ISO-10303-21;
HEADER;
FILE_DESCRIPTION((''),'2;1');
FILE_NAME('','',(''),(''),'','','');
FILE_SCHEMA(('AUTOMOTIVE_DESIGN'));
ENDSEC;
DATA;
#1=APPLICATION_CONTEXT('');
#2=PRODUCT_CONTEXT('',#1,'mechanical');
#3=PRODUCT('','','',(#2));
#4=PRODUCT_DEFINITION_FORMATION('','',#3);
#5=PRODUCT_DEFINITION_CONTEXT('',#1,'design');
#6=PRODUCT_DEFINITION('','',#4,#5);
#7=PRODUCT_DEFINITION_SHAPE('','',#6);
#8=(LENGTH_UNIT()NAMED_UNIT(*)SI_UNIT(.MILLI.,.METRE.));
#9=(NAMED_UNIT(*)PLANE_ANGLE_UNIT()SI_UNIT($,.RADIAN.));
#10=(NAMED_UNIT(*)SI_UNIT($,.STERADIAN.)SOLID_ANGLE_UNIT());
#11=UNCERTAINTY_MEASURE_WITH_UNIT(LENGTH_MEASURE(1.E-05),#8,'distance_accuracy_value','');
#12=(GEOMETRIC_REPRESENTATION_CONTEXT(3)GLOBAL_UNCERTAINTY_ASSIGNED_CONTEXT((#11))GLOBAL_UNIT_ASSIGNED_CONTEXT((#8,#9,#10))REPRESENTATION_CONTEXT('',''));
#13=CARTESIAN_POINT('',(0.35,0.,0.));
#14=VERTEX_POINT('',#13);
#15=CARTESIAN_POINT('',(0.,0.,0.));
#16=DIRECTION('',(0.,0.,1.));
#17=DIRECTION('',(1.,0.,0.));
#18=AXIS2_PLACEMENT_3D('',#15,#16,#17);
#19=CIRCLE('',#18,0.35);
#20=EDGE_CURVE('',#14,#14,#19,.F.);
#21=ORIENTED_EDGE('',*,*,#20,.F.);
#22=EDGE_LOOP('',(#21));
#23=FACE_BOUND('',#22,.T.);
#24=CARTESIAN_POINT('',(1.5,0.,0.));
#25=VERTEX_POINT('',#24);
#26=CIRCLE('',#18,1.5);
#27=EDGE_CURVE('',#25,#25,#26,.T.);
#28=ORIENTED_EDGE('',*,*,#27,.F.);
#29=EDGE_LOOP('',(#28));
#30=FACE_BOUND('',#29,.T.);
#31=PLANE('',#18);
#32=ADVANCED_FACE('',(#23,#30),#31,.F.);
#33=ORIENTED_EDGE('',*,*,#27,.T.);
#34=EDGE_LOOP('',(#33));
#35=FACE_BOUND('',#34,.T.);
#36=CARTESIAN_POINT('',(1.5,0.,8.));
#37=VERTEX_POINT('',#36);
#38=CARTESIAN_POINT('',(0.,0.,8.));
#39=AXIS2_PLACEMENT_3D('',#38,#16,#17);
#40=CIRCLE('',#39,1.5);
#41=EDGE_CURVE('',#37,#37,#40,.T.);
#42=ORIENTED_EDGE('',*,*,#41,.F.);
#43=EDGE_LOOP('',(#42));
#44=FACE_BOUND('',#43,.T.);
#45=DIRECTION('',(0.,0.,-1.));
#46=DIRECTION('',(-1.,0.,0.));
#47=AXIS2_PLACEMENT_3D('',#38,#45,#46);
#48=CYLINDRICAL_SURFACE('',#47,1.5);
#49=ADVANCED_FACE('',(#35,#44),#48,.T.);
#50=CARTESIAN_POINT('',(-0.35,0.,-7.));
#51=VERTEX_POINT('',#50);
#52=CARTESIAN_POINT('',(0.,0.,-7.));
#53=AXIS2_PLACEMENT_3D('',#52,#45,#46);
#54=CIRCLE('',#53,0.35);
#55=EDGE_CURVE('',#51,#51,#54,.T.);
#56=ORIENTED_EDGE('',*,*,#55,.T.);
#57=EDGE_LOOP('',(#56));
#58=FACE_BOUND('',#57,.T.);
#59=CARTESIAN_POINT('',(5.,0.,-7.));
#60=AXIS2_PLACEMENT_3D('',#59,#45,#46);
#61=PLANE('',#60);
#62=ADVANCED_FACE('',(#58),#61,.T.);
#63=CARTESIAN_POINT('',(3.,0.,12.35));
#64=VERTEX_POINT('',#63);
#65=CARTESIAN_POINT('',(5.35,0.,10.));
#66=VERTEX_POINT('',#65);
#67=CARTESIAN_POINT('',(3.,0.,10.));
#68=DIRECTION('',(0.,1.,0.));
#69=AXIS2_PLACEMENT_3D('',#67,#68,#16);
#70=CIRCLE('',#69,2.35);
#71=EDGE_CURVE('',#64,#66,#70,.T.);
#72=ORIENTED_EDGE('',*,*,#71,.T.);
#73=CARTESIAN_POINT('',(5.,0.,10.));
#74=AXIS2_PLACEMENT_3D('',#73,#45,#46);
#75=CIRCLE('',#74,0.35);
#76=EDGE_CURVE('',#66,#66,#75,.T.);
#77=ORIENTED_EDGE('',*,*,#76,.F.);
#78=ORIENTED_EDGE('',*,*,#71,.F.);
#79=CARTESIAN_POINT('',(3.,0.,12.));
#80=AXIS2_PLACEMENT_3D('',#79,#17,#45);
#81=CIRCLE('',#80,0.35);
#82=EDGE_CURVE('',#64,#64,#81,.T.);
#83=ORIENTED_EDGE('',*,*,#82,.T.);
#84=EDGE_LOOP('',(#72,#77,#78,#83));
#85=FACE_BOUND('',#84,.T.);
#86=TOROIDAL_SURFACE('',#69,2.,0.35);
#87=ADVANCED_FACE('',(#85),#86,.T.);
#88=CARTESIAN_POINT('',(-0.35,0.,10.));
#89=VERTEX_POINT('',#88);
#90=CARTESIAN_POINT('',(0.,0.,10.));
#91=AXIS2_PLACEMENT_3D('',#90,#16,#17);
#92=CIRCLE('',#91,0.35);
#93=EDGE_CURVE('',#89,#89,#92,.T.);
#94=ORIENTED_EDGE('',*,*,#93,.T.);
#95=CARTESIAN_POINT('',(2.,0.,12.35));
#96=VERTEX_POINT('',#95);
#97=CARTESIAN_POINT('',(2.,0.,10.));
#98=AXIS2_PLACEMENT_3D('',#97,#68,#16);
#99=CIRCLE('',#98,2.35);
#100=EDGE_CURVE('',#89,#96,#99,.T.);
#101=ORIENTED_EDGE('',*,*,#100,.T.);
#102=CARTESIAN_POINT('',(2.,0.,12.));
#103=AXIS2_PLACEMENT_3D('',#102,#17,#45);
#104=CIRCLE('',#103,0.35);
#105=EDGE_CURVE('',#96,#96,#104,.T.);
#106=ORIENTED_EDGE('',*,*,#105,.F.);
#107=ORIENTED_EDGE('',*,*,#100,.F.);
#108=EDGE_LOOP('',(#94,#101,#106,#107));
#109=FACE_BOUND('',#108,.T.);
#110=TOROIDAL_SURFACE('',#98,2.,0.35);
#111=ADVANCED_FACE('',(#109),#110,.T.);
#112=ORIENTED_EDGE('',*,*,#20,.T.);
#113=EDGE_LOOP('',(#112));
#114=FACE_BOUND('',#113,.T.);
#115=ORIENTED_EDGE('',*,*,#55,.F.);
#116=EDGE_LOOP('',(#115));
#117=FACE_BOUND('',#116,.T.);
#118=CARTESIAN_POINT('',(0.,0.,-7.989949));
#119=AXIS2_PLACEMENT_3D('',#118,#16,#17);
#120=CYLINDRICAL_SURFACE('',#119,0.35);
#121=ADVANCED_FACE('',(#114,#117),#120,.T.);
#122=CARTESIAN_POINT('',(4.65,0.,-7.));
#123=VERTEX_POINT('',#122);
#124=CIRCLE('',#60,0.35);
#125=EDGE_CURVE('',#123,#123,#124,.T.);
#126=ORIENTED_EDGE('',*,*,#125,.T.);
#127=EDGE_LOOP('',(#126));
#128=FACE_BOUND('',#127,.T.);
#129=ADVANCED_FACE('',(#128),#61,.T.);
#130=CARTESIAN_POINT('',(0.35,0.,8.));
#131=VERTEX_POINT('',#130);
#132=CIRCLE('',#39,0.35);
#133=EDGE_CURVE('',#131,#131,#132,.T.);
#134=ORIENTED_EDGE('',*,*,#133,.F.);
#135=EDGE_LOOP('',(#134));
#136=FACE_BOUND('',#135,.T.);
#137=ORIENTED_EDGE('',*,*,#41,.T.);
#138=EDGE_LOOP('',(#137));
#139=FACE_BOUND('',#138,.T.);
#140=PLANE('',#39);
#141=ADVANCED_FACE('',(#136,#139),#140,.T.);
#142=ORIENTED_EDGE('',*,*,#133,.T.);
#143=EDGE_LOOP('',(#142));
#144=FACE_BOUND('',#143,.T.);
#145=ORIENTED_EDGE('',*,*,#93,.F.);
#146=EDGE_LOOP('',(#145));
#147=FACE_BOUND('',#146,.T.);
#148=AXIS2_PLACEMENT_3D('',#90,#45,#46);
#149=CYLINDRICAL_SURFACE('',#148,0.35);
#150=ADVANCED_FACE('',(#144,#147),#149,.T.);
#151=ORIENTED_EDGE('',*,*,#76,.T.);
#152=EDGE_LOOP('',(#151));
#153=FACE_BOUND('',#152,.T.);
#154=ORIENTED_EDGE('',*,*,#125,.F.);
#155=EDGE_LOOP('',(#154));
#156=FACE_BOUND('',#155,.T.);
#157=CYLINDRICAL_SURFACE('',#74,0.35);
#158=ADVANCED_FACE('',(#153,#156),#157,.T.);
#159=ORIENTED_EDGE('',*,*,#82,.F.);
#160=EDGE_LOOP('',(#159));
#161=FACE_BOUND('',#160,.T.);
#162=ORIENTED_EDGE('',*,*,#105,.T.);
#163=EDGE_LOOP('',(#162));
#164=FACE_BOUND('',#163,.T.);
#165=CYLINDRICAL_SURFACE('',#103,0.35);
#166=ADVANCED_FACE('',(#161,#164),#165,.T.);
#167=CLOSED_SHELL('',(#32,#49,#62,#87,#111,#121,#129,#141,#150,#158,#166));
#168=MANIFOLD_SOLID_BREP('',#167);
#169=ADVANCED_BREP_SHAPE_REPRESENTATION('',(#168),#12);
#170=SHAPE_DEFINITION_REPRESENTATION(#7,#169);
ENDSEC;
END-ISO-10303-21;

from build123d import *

# Parameters (mm, degrees)
SKETCH2_R           = 1.5
RESISTOR_BODY_DEPTH = 8
LEAD1_PROFILE_R     = 0.35
SKETCH6_R           = 0.35
LEAD2_DEPTH         = 7


with BuildPart() as part:
    # Sketch2 → Resistor Body (new body)
    with BuildSketch(Plane.XY):
        Circle(SKETCH2_R)
    extrude(amount=RESISTOR_BODY_DEPTH)

    # Lead1: sweep along a path in Lead1 Path
    with BuildLine(Plane(origin=(0, 0, 0), x_dir=(1, 0, 0), z_dir=(0, 1, 0))) as lead1_path:
        Line((0, -8), (0, -10))
        ThreePointArc((0, -10), (0.585786438, -11.414213562), (2, -12))
        Line((2, -12), (3, -12))
        ThreePointArc((3, -12), (4.414213562, -11.414213562), (5, -10))
        Line((5, -10), (5, 7))
    # Lead1 Profile → Lead1 (sweep)
    with BuildSketch(Plane(origin=(0, 0, 8), x_dir=(-1, 0, 0), z_dir=(0, 0, 1))):
        Circle(LEAD1_PROFILE_R)
    sweep(path=lead1_path.line)

    # Sketch6 → Lead2 (add)
    with BuildSketch(Plane(origin=(0, 0, 0), x_dir=(1, 0, 0), z_dir=(0, 0, -1))):
        Circle(SKETCH6_R)
    extrude(amount=LEAD2_DEPTH)


solid = part.part
